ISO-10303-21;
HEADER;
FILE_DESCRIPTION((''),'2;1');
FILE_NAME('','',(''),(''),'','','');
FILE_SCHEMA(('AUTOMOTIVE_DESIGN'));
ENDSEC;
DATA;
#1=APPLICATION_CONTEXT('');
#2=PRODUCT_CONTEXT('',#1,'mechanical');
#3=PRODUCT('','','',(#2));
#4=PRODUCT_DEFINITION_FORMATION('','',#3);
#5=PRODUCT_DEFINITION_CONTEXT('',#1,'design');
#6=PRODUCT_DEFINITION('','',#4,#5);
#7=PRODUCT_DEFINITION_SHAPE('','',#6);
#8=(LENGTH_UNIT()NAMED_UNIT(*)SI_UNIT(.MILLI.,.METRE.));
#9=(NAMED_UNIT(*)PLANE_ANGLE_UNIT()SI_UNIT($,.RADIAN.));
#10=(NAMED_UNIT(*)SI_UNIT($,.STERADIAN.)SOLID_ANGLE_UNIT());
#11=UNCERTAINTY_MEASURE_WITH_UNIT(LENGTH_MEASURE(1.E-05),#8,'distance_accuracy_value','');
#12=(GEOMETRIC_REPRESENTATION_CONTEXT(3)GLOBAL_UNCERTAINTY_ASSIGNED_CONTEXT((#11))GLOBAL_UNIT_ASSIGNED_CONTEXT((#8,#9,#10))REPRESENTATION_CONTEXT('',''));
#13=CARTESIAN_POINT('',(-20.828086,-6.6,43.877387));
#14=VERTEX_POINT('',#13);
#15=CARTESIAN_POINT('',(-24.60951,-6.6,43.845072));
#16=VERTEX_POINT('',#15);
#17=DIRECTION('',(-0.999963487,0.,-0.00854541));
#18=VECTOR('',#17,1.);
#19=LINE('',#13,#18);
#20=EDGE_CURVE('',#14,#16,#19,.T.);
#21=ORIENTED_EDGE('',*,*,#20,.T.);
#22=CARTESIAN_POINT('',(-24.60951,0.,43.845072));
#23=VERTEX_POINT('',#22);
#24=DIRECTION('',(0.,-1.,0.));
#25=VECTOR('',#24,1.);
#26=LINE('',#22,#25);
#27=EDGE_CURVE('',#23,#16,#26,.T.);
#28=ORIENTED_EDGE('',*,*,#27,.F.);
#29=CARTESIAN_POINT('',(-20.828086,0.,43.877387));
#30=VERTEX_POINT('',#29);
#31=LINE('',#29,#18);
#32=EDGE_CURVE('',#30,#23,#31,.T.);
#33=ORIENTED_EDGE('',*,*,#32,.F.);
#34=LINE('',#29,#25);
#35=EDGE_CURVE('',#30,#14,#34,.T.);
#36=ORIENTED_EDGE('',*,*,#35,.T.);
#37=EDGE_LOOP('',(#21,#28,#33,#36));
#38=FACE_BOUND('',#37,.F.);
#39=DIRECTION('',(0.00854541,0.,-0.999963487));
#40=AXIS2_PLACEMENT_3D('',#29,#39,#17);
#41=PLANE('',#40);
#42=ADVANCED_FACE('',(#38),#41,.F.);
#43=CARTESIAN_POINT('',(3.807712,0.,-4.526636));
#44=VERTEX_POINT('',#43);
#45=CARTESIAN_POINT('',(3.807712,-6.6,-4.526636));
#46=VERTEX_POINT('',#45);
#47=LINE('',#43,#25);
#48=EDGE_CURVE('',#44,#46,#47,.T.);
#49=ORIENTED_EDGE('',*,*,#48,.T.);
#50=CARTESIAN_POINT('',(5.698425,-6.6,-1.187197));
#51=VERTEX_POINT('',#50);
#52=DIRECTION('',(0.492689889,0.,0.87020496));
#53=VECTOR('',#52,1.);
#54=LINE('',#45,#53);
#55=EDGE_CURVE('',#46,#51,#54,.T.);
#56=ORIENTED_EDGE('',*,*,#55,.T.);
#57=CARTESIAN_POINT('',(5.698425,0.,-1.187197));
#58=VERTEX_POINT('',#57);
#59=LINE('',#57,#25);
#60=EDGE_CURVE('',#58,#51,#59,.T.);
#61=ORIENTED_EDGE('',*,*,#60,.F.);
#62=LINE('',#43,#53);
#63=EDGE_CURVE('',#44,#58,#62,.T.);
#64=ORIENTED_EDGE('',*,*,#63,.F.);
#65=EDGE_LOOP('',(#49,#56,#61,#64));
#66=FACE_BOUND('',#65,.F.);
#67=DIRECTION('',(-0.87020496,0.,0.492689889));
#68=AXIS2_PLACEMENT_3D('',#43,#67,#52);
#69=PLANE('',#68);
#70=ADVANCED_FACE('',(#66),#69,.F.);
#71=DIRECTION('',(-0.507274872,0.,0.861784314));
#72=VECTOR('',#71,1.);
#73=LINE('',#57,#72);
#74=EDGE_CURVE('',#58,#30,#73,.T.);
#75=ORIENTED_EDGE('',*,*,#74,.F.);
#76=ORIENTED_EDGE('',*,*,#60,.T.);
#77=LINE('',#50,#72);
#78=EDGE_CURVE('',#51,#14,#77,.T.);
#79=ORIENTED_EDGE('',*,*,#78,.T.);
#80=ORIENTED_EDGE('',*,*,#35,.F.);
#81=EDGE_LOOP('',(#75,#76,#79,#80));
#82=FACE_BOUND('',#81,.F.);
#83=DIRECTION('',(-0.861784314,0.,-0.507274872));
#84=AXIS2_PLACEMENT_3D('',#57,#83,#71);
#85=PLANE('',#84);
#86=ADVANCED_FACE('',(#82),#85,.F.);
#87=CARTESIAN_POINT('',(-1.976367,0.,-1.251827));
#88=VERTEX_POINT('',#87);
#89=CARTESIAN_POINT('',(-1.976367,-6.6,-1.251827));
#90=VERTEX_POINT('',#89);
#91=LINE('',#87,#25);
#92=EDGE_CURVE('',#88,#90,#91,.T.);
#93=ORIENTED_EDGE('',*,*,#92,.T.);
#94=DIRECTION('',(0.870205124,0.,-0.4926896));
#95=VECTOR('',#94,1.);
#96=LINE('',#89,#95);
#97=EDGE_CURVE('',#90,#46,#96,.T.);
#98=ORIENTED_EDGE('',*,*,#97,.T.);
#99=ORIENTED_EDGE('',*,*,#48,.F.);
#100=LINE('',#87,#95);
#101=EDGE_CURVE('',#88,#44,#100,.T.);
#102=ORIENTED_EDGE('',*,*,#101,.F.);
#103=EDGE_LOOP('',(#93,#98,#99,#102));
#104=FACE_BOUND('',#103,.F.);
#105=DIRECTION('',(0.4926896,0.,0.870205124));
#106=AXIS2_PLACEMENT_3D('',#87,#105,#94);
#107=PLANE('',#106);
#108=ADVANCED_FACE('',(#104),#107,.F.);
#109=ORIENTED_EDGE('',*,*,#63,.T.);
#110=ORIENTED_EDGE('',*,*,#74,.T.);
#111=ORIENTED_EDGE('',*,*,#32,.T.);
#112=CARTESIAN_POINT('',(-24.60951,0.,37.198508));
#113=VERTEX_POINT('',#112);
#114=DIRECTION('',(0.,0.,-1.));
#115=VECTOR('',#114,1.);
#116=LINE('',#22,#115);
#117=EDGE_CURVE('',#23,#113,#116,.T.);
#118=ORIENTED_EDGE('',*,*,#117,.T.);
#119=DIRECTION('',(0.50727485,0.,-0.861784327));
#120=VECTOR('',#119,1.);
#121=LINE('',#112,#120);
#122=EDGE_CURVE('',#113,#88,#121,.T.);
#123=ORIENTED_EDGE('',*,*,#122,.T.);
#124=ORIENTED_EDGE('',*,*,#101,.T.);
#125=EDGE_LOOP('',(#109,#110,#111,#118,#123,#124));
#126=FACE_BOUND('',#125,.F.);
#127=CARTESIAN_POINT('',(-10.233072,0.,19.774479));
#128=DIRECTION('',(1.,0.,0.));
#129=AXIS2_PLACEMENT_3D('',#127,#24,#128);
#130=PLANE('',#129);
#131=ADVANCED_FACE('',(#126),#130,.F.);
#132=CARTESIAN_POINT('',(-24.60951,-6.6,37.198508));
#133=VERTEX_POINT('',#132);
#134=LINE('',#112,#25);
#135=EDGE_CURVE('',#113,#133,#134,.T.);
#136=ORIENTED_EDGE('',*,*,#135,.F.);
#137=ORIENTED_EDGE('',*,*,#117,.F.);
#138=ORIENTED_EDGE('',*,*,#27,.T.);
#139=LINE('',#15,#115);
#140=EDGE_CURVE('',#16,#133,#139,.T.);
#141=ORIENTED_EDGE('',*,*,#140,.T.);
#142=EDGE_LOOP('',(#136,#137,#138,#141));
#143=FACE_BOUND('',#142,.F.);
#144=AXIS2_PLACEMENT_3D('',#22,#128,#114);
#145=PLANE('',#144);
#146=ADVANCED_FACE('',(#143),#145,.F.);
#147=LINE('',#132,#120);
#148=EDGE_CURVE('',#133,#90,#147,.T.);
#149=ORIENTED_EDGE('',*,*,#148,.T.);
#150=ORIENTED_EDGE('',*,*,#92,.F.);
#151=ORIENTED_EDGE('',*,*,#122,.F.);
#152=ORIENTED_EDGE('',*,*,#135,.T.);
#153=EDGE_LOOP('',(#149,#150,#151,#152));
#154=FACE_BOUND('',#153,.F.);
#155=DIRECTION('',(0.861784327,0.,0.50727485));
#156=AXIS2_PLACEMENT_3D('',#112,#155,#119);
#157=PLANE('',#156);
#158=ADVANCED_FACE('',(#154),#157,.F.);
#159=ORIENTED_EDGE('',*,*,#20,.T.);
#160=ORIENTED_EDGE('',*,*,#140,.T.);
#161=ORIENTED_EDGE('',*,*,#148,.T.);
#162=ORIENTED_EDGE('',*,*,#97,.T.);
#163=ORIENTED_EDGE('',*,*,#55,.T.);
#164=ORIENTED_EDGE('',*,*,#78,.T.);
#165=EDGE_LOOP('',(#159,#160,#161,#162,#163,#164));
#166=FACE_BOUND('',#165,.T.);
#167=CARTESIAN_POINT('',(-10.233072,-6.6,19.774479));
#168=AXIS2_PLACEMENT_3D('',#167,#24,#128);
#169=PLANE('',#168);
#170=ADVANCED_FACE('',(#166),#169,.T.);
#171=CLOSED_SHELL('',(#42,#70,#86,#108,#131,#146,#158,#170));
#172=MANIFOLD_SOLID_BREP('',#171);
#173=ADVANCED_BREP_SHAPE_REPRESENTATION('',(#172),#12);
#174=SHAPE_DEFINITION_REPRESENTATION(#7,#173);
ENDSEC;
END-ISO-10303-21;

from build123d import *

# Parameters (mm, degrees)
F1_DEPTH = 6.6


with BuildPart() as f1:
    # F0 (on Front) → F1 (new body)
    with BuildSketch(Plane.XZ):
        Polygon((-20.828086, 43.877387), (-24.60951, 37.198508), (-1.976367, -1.251827), (5.698425, -1.187197), align=None)
        Polygon((-24.60951, 43.845072), (-24.60951, 37.198508), (-20.828086, 43.877387), align=None)
        Polygon((5.698425, -1.187197), (-1.976367, -1.251827), (3.807712, -4.526636), align=None)
    extrude(amount=F1_DEPTH)


solid = f1.part
